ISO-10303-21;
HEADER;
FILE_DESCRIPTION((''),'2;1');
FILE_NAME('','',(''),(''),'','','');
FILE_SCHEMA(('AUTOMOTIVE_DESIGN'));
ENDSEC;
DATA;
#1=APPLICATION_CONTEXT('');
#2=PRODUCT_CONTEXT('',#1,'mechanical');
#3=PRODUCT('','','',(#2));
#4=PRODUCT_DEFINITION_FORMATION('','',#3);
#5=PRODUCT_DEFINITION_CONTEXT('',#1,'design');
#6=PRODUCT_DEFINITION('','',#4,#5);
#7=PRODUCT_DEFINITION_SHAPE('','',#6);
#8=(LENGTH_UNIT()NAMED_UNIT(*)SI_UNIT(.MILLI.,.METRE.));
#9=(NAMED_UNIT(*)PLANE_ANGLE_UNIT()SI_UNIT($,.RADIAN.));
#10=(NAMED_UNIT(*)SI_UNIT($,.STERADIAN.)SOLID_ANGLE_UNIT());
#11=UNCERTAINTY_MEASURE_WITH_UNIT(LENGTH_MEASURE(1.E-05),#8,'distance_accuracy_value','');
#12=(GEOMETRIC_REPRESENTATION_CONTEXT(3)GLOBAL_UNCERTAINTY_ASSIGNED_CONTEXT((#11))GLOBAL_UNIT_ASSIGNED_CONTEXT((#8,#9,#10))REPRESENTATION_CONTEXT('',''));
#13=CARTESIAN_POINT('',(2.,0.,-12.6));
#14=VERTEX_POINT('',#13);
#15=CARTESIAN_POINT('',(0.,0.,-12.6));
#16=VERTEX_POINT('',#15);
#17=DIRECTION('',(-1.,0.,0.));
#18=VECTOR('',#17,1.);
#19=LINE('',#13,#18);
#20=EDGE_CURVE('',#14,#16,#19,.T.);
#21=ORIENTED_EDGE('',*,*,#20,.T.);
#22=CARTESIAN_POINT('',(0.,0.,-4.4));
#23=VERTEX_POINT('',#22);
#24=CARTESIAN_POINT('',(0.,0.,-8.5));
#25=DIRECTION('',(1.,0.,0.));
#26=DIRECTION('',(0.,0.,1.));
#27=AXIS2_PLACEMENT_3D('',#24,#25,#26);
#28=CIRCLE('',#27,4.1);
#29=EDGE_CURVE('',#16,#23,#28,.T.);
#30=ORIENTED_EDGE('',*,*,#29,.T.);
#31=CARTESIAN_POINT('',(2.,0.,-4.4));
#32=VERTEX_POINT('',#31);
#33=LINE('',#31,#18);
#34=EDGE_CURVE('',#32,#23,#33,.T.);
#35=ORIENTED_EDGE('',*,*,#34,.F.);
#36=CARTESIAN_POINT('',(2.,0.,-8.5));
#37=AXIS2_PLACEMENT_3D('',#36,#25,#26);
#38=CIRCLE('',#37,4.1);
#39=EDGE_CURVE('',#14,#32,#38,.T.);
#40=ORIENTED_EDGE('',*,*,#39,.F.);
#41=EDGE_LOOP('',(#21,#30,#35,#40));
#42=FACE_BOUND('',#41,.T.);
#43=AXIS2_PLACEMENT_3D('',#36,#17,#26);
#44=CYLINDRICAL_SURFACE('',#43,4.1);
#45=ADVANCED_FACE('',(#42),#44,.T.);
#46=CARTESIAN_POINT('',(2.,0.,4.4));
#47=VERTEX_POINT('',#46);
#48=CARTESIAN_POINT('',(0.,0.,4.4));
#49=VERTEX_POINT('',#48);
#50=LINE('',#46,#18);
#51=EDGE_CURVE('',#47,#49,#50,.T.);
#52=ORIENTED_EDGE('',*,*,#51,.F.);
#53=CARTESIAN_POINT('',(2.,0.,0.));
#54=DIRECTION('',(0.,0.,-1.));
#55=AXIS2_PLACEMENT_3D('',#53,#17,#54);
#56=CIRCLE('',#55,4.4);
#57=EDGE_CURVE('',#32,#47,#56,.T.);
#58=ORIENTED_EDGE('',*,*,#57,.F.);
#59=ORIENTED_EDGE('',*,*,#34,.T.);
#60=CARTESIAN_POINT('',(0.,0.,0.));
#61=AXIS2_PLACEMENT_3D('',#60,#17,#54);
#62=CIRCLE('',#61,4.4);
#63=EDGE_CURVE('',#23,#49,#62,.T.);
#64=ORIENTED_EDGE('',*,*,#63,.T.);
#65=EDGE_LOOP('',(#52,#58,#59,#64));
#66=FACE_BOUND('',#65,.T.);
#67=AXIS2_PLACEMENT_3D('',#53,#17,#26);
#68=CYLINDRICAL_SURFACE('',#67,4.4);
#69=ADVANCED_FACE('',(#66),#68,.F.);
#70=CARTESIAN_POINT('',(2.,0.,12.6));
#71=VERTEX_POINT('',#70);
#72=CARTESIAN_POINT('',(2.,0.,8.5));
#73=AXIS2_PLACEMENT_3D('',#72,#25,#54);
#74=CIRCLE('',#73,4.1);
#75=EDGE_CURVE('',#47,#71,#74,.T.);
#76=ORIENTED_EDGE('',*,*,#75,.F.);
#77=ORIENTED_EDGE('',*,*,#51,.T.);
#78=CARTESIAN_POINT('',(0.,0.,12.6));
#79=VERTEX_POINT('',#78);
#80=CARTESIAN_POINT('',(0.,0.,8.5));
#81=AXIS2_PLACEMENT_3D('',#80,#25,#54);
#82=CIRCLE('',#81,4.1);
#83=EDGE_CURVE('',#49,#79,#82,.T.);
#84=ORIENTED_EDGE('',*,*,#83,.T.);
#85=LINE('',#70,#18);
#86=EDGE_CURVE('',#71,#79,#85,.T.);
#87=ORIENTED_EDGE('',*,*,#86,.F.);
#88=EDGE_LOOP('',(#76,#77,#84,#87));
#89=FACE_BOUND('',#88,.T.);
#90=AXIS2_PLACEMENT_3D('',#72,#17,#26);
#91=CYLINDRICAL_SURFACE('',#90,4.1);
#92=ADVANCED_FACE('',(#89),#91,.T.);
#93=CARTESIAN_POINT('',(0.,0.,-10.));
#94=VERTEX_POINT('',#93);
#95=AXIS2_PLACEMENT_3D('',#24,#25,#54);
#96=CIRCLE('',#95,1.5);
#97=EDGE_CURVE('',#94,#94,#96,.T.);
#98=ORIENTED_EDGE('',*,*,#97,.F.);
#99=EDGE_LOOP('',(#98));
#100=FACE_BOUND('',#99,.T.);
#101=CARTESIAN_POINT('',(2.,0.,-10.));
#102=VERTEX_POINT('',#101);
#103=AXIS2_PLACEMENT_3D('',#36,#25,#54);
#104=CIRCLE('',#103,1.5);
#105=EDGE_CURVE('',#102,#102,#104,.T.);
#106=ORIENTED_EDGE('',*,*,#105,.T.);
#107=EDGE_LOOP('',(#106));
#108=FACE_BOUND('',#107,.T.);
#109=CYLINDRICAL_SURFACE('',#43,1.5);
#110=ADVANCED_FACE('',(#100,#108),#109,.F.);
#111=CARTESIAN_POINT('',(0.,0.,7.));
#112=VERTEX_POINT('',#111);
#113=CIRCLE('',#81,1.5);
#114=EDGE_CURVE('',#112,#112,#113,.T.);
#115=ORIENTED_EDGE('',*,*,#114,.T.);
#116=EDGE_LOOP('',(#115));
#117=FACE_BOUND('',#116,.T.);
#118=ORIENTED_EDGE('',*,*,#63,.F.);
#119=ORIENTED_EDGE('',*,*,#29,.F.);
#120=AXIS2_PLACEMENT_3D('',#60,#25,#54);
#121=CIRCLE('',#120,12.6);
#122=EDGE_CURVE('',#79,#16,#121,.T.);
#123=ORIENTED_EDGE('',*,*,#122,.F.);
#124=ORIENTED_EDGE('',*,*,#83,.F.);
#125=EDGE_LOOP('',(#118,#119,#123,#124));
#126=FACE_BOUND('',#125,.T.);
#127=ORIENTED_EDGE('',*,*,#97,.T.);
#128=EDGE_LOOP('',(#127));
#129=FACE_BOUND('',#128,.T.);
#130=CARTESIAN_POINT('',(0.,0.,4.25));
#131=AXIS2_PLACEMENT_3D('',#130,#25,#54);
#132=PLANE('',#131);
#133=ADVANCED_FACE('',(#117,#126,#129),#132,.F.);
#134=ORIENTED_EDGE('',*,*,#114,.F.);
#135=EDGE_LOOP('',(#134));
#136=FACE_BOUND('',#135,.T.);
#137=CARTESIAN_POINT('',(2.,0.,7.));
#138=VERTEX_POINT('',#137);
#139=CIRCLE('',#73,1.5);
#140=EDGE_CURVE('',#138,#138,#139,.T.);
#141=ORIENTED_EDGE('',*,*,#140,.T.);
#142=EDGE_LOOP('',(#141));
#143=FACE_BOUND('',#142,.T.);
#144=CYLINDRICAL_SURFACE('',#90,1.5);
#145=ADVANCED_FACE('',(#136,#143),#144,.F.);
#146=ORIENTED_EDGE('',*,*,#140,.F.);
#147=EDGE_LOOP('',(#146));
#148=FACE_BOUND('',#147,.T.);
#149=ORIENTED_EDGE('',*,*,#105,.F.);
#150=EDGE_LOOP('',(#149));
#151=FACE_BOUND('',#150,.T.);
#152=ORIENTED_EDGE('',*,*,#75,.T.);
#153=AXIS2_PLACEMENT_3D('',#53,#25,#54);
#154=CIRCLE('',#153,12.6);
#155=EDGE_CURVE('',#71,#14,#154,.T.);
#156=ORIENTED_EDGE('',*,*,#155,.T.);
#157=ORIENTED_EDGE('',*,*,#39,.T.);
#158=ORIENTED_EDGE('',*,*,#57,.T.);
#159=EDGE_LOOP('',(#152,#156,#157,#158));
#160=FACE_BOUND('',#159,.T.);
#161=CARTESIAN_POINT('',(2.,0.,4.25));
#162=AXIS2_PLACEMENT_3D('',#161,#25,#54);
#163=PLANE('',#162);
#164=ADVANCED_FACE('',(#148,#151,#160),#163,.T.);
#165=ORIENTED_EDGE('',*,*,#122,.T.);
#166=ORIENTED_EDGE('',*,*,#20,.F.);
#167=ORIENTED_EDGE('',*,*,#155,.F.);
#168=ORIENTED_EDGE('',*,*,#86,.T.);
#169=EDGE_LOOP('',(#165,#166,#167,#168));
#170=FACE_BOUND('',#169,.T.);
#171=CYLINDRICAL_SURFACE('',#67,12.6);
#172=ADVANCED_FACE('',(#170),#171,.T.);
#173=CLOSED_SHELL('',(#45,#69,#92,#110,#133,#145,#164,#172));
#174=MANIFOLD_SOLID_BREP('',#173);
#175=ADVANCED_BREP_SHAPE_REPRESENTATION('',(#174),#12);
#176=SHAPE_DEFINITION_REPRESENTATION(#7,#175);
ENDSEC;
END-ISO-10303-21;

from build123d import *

# Parameters (mm, degrees)
SKETCH1_R           = 1.5
BOSS_EXTRUDE1_DEPTH = 2


with BuildPart() as part:
    # Sketch1 → Boss-Extrude1 (new body)
    with BuildSketch(Plane(origin=(0, 0, 0), x_dir=(0, 0, -1), z_dir=(1, 0, 0))):
        with BuildLine():
            ThreePointArc((-4.4, 0), (0, -4.4), (4.4, 0))
            ThreePointArc((4.4, 0), (8.5, 4.1), (12.6, 0))
            ThreePointArc((12.6, 0), (0, -12.6), (-12.6, 0))
            ThreePointArc((-12.6, 0), (-8.5, 4.1), (-4.4, 0))
        make_face()
        with Locations((-8.5, 0)):
            Circle(SKETCH1_R, mode=Mode.SUBTRACT)
        with Locations((8.5, 0)):
            Circle(SKETCH1_R, mode=Mode.SUBTRACT)
    extrude(amount=BOSS_EXTRUDE1_DEPTH)


solid = part.part
